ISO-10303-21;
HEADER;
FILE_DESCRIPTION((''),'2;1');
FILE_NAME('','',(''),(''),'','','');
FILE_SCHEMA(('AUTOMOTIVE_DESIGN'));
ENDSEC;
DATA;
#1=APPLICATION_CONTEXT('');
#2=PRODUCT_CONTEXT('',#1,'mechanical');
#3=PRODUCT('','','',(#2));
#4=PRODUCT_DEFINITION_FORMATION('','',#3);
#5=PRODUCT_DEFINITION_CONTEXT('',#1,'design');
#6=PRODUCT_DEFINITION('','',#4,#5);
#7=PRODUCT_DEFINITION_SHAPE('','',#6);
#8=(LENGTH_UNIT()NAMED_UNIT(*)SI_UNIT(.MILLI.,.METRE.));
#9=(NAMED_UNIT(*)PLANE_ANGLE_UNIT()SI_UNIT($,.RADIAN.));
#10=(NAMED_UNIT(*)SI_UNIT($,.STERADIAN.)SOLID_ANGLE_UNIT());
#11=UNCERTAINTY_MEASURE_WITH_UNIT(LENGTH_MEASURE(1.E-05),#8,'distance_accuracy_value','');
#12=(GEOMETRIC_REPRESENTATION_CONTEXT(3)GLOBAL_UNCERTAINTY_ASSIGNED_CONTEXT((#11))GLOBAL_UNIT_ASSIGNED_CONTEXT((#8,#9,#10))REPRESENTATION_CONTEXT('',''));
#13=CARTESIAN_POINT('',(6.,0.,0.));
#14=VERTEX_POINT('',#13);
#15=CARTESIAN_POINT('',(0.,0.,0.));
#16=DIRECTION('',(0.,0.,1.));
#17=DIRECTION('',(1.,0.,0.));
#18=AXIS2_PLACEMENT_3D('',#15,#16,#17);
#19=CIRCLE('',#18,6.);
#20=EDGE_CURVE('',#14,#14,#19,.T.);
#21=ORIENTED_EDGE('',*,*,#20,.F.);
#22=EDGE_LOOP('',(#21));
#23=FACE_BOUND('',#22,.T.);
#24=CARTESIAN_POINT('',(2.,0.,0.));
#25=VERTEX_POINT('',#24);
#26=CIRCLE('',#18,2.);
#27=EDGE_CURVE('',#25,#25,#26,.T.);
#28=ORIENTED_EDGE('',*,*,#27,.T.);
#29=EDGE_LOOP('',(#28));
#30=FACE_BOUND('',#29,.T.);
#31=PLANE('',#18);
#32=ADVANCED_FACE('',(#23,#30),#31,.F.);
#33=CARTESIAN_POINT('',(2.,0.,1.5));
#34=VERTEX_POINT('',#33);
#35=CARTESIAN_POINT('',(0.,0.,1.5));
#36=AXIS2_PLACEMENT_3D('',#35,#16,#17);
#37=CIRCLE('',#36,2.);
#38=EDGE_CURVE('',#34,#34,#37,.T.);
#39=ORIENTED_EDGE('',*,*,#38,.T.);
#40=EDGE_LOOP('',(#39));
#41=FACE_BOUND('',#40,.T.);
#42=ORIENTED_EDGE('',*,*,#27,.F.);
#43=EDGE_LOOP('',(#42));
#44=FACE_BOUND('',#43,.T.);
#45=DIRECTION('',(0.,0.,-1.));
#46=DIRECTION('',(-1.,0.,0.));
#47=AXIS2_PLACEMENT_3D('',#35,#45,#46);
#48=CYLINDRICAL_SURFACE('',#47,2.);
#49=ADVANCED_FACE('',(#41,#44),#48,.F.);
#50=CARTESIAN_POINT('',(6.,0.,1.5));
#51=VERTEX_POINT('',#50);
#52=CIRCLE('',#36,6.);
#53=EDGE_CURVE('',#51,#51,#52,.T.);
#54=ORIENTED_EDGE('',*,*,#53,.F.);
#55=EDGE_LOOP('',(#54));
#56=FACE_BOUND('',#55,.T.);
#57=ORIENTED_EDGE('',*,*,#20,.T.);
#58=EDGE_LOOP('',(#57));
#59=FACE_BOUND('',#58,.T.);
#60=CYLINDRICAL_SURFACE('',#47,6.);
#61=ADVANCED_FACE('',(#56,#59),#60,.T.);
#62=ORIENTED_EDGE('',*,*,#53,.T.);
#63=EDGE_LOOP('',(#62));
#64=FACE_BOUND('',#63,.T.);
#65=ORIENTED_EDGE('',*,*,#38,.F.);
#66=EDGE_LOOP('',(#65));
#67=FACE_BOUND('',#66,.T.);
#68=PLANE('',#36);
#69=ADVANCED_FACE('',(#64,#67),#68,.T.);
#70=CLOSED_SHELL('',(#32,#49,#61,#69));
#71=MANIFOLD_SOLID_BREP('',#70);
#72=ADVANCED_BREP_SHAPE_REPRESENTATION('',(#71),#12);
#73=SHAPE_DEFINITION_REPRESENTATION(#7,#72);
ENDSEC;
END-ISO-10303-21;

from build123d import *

# Parameters (mm, degrees)
ESBO_O1_R                = 6
ESBO_O1_R_2              = 2
RESSALTO_EXTRUS_O1_DEPTH = 1.5


with BuildPart() as part:
    # Esboço1 → Ressalto-extrusão1 (new body)
    with BuildSketch(Plane.XY):
        Circle(ESBO_O1_R)
        Circle(ESBO_O1_R_2, mode=Mode.SUBTRACT)
    extrude(amount=RESSALTO_EXTRUS_O1_DEPTH)


solid = part.part
